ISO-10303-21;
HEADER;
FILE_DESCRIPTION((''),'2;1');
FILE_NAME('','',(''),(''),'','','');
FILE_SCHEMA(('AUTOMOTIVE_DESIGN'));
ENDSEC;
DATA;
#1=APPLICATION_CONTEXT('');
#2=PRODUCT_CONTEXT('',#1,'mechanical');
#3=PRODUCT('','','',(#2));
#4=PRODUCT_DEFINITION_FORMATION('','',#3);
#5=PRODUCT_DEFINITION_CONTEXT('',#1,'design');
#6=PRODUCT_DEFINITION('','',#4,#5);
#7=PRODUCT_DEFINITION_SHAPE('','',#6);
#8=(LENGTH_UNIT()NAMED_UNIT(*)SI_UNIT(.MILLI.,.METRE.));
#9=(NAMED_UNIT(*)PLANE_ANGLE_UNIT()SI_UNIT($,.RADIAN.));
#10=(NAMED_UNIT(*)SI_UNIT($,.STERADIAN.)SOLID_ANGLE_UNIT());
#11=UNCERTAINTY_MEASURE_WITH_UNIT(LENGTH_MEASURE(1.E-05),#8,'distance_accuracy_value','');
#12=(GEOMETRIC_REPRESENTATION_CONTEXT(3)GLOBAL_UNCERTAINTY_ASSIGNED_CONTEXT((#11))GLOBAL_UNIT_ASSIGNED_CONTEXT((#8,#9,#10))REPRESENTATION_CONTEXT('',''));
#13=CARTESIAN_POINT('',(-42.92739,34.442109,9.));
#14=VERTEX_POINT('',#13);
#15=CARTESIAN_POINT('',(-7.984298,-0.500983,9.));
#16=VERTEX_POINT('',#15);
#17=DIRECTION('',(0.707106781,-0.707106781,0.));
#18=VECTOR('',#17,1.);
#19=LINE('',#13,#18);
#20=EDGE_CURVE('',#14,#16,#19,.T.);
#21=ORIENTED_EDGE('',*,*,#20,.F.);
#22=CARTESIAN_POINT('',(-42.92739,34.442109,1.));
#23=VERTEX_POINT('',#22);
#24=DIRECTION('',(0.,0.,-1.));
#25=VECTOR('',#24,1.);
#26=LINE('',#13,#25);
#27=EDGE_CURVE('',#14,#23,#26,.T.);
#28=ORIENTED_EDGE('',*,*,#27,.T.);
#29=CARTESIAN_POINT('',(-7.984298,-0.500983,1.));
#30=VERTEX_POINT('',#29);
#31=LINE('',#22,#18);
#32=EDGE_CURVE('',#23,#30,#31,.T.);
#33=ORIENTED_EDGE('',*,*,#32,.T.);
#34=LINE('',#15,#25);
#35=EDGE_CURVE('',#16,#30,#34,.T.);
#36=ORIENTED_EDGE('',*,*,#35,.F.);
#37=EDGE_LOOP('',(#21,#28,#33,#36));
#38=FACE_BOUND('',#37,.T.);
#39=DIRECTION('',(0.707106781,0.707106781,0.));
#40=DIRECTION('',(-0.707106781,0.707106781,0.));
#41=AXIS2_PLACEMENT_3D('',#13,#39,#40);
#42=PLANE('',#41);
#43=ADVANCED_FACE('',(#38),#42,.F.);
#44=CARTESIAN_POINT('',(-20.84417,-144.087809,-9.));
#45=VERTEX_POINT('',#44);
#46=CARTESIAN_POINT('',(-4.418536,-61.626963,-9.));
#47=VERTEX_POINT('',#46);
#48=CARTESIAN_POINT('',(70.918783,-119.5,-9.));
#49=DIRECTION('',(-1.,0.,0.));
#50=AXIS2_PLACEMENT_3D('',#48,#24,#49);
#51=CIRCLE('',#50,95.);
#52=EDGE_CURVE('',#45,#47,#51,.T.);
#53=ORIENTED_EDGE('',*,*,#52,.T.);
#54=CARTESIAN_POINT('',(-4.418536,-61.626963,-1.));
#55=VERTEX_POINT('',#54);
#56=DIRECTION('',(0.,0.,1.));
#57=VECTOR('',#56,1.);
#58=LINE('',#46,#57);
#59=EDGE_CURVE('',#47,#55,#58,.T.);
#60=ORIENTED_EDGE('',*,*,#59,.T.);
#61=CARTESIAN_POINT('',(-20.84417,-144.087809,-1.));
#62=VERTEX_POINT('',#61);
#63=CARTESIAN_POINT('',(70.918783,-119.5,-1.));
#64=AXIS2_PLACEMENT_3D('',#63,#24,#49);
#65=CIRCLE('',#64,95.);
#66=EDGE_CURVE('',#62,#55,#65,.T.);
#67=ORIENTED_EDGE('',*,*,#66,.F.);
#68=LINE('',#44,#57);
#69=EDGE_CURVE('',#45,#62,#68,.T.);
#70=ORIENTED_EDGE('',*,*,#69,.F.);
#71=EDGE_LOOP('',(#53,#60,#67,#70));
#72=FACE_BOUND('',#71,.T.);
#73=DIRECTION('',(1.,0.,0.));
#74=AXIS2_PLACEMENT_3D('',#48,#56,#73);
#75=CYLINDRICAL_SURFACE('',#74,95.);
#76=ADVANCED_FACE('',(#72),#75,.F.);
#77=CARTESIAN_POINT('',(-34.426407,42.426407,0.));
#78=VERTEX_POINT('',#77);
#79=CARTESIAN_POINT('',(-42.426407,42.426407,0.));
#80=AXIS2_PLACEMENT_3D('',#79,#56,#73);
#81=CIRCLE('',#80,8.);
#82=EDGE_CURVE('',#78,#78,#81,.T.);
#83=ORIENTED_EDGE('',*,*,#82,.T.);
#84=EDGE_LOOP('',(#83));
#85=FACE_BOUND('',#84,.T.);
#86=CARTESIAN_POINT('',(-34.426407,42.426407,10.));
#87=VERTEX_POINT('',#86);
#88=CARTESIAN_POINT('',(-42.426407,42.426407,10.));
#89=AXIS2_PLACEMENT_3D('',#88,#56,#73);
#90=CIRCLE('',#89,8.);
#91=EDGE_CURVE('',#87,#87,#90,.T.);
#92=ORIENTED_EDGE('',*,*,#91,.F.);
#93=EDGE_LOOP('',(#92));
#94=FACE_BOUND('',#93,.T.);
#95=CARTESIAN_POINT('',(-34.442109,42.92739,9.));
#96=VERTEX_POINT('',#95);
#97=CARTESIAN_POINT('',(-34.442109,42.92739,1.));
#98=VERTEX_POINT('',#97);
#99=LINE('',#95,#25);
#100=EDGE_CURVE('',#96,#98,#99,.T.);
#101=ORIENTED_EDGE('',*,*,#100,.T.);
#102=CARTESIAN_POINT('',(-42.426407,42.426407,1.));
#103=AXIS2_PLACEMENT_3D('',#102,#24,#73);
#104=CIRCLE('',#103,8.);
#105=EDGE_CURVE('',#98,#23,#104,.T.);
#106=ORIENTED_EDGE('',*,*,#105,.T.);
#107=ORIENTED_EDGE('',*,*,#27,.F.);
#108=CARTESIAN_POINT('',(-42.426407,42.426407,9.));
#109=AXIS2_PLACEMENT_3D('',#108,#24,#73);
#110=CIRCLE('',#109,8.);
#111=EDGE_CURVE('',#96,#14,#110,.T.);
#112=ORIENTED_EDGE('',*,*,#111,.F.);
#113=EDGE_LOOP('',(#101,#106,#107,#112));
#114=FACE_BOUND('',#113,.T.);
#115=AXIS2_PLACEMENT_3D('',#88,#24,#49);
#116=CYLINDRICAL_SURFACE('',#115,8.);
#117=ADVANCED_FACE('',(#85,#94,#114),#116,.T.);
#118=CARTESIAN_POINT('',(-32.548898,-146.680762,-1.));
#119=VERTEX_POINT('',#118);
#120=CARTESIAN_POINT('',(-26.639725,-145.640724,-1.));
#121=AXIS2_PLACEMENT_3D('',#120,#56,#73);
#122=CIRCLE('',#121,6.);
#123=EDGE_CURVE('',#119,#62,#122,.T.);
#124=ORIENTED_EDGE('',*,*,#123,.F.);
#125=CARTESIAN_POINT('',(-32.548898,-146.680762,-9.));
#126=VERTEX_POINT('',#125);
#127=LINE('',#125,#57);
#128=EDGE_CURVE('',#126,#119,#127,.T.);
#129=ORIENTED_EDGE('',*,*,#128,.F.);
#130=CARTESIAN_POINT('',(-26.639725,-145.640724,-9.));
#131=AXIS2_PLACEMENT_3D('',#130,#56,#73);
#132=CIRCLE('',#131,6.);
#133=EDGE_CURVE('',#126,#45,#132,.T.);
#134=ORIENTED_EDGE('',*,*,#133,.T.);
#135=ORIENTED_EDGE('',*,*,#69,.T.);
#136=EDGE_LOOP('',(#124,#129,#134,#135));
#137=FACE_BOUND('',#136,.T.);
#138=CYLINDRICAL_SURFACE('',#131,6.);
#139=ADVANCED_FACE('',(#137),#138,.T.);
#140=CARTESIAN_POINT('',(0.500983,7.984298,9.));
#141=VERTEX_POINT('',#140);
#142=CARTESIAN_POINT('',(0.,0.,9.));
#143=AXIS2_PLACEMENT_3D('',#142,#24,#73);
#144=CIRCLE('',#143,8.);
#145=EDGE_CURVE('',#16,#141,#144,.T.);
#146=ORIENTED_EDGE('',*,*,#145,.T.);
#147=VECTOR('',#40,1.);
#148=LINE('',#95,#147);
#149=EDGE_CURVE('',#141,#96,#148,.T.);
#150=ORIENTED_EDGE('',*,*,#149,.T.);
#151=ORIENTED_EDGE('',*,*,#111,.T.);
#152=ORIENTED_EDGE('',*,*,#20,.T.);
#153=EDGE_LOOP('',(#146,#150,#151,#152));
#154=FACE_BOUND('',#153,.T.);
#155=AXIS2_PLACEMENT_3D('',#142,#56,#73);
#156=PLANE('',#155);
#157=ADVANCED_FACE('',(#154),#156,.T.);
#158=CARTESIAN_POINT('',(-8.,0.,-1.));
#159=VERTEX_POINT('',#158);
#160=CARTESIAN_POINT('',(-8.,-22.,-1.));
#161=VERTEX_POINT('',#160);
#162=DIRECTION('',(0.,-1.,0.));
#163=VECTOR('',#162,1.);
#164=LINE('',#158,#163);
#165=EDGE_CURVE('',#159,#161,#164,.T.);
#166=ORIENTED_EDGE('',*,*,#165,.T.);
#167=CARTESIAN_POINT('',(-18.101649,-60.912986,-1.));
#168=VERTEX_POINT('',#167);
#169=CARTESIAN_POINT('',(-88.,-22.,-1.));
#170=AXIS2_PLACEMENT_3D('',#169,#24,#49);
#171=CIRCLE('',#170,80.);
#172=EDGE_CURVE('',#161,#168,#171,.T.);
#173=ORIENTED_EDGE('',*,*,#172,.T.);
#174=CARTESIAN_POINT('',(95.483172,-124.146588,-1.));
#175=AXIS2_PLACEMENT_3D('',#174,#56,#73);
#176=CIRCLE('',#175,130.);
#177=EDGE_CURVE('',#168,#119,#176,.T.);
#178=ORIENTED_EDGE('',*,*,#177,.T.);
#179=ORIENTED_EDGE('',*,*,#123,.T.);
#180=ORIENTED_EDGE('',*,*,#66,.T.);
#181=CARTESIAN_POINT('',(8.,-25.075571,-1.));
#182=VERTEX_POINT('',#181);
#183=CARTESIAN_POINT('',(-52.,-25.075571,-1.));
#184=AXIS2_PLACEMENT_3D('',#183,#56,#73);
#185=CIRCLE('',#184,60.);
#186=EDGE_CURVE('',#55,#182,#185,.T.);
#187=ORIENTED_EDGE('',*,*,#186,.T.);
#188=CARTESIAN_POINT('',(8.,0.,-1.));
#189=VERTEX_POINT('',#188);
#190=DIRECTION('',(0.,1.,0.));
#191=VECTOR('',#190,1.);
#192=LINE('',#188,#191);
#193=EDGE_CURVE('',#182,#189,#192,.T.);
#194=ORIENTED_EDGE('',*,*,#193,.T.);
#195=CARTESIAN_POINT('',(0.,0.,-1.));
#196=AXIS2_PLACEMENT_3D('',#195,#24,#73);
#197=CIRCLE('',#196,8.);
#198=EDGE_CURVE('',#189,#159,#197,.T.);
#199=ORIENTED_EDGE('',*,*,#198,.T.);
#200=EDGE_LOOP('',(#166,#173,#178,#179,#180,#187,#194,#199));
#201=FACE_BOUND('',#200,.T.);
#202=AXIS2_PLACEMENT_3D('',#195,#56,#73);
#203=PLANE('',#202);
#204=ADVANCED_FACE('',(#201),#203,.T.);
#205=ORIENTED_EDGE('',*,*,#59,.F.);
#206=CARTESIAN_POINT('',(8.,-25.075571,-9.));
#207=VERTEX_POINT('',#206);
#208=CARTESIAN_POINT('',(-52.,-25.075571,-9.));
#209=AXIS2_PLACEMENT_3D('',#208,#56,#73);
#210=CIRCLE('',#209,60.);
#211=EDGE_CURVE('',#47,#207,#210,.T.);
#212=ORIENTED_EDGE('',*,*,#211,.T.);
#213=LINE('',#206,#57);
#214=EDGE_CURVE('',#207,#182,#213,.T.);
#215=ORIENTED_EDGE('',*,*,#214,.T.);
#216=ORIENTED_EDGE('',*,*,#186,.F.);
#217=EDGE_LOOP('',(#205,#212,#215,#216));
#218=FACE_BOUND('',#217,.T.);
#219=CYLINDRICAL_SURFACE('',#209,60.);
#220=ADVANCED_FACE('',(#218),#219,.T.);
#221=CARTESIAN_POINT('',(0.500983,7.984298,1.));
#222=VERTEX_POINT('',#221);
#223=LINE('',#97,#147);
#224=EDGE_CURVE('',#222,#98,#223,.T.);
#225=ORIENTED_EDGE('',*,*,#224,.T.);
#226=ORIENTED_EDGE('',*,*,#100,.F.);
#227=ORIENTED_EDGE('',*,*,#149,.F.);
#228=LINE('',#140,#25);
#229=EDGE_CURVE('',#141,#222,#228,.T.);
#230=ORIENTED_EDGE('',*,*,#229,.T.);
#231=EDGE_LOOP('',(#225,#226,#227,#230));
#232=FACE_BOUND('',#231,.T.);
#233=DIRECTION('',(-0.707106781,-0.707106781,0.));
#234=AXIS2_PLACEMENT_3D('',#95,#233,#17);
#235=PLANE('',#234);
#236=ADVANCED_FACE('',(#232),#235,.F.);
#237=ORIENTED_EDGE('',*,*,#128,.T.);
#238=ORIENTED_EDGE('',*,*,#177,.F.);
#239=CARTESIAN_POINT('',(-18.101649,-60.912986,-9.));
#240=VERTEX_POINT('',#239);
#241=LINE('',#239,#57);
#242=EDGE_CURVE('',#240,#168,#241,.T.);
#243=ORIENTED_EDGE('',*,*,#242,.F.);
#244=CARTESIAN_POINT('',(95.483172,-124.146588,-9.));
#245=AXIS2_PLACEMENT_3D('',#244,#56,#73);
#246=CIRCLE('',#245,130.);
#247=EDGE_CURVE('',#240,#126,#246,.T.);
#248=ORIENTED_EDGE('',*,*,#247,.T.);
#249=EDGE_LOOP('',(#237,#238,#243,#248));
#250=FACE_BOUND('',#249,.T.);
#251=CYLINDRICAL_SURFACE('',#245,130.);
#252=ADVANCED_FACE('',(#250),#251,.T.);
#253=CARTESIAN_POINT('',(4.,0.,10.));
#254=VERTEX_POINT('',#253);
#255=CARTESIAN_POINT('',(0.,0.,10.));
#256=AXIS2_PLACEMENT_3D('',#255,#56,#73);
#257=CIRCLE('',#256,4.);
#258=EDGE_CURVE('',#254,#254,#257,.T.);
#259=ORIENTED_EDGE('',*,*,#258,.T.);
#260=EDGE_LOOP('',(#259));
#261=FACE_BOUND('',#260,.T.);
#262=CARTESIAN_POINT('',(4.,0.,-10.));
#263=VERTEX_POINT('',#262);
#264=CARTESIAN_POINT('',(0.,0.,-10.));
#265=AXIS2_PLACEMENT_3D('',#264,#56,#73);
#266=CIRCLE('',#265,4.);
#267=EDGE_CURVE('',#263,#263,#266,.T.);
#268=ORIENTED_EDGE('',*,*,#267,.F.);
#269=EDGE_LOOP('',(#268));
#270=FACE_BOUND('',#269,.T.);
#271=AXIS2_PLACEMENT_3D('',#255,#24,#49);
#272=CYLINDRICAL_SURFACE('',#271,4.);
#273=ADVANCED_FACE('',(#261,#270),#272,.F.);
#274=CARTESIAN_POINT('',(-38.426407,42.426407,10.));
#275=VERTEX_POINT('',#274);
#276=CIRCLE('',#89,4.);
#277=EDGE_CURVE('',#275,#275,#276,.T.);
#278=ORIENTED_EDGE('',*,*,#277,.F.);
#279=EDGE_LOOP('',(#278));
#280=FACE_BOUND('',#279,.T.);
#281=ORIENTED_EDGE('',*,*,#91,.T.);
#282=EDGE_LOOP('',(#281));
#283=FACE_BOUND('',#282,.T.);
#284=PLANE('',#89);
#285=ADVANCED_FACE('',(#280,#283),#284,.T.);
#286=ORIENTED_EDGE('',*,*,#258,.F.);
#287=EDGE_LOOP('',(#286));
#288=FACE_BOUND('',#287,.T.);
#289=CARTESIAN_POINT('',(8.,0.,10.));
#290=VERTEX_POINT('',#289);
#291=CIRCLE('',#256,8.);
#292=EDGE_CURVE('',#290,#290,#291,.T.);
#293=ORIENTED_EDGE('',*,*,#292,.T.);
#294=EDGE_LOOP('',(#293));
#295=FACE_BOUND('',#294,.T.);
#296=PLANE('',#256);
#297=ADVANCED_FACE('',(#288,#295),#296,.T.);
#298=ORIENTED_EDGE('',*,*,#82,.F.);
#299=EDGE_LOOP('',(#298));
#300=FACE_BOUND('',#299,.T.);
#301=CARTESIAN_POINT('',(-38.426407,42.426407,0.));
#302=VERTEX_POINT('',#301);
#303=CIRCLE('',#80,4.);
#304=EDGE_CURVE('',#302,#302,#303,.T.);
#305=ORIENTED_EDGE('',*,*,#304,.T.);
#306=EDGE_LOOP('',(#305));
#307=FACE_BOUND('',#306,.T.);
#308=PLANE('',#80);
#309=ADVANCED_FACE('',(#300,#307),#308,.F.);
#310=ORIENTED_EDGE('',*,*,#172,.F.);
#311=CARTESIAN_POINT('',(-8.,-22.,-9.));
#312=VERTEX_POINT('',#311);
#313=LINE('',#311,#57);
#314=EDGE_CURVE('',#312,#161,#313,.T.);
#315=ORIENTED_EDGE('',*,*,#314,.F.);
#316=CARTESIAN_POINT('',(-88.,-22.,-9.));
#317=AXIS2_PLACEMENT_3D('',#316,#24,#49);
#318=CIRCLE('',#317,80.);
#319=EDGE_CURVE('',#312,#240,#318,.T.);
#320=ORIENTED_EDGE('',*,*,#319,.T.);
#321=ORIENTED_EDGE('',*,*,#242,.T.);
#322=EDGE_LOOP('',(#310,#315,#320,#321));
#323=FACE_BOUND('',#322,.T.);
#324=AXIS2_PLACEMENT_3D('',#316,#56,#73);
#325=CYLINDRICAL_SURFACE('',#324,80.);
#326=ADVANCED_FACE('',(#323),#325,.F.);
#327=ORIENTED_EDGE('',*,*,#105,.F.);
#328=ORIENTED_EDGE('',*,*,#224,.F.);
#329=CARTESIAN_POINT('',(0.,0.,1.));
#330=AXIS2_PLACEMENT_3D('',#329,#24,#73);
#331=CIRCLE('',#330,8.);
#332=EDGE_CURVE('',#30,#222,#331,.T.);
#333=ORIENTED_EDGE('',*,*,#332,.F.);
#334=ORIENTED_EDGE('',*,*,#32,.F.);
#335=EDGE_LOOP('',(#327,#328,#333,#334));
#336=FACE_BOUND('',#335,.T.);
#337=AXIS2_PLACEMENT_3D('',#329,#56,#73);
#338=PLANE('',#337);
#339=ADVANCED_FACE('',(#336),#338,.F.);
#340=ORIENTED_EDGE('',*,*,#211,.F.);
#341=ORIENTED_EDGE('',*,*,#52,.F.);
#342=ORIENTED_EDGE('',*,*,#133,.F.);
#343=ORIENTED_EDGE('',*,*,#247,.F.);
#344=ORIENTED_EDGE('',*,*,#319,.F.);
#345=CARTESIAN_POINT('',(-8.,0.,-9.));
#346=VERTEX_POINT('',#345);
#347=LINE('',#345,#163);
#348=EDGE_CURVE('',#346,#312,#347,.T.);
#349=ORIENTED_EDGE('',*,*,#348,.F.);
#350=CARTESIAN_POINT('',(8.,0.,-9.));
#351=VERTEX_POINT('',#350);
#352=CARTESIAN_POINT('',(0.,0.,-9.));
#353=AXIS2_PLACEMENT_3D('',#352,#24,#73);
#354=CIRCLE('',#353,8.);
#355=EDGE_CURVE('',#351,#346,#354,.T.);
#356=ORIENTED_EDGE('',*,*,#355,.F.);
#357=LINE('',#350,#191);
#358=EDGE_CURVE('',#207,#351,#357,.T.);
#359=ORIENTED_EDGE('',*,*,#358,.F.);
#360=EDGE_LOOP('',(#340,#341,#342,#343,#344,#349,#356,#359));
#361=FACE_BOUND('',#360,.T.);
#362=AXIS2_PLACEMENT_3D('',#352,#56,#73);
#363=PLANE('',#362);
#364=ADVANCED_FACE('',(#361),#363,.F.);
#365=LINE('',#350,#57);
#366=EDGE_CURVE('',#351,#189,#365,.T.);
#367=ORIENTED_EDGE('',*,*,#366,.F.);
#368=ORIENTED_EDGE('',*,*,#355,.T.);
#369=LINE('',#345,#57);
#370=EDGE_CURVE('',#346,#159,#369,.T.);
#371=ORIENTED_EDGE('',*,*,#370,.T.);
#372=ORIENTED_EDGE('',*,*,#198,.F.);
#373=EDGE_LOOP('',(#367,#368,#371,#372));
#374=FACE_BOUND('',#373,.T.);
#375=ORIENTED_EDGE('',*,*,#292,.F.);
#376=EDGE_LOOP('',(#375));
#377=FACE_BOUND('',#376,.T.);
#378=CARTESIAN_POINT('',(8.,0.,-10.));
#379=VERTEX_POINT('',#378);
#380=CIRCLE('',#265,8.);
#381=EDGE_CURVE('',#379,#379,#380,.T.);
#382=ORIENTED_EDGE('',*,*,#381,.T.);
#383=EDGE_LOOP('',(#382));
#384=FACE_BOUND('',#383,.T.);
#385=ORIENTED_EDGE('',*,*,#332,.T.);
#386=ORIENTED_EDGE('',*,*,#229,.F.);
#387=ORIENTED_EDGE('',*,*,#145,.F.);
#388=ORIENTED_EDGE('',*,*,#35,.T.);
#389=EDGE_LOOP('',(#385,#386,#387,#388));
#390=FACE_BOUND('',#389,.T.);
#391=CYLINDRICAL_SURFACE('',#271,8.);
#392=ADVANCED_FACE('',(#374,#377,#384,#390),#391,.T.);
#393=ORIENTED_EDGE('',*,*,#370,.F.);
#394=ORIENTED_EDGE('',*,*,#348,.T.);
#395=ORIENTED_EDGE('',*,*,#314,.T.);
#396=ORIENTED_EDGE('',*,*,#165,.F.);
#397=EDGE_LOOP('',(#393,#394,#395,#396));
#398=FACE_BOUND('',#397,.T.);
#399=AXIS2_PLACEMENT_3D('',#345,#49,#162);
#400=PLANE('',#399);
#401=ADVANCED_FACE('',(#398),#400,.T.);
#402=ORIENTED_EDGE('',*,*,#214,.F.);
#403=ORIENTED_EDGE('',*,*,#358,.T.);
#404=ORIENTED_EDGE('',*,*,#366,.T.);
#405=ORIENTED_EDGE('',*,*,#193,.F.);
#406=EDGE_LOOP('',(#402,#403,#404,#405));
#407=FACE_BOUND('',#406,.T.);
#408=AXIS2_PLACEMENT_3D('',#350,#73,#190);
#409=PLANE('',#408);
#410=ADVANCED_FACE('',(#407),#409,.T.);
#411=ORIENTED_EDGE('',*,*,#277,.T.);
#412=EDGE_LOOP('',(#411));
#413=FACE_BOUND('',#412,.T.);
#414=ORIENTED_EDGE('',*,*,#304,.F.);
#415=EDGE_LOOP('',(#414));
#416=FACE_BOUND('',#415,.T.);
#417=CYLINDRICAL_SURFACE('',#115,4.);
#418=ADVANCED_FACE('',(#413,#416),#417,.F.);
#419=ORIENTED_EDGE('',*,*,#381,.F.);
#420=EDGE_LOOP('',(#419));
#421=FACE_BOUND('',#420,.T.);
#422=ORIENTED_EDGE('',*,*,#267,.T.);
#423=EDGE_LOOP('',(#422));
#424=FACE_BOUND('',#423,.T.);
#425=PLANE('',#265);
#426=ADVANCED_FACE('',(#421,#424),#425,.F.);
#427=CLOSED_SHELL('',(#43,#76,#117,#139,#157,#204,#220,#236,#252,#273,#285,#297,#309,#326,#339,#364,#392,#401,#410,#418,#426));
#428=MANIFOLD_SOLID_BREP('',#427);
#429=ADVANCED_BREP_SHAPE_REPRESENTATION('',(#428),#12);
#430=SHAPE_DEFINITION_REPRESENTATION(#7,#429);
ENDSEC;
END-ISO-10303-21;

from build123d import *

# Parameters (mm, degrees)
SKETCH_1_R        = 8
SKETCH_1_R_2      = 4
EXTRUDE_1_DEPTH   = 10
EXTRUDE_1_2_DEPTH = 10
EXTRUDE_START     = 1
EXTRUDE_2_DEPTH   = 8
EXTRUDE_START_2   = -9
EXTRUDE_3_DEPTH   = 8
EXTRUDE_START_3   = -10
SKETCH_4_R        = 8
SKETCH_4_R_2      = 4
EXTRUDE_4_DEPTH   = 10


with BuildPart() as part:
    # 草图1 → 凸台-拉伸1 (new body)
    with BuildSketch(Plane.XY):
        Circle(SKETCH_1_R)
        Circle(SKETCH_1_R_2, mode=Mode.SUBTRACT)
    extrude(amount=EXTRUDE_1_DEPTH)



with BuildPart() as body_2:
    # 草图1 → Extrude 1 2 (new body)
    with BuildSketch(Plane.XY):
        with Locations((-42.426406871, 42.426406871)):
            Circle(SKETCH_1_R)
        with Locations((-42.426406871, 42.426406871)):
            Circle(SKETCH_1_R_2, mode=Mode.SUBTRACT)
    extrude(amount=EXTRUDE_1_2_DEPTH)


with BuildPart() as part_1:
    add(part.part)

    add(body_2.part)  # 凸台-拉伸2 merges body 2
    # 草图2 → 凸台-拉伸2 (add)
    with BuildSketch(Plane.XY.offset(EXTRUDE_START)):
        with BuildLine():
            Line((-42.927390172, 34.442108797), (-7.984298074, -0.5009833))
            ThreePointArc((-7.984298074, -0.5009833), (-5.656854249, 5.656854249), (0.5009833, 7.984298074))
            Line((0.5009833, 7.984298074), (-34.442108797, 42.927390172))
            ThreePointArc((-34.442108797, 42.927390172), (-36.769552622, 36.769552622), (-42.927390172, 34.442108797))
        make_face()
    extrude(amount=EXTRUDE_2_DEPTH)



with BuildPart() as body_2_2:
    # 草图3 → 凸台-拉伸3 (new body)
    with BuildSketch(Plane.XY.offset(EXTRUDE_START_2)):
        with BuildLine():
            Line((-8, 0), (-8, -22))
            ThreePointArc((-8, -22), (-10.566583087, -42.101391623), (-18.101648629, -60.912985951))
            ThreePointArc((-18.101648629, -60.912985951), (-32.710853992, -102.552801732), (-32.548897818, -146.680762367))
            ThreePointArc((-32.548897818, -146.680762367), (-25.342004787, -151.498702844), (-20.844170391, -144.087809285))
            ThreePointArc((-20.844170391, -144.087809285), (-22.250809754, -100.941256341), (-4.418535572, -61.626962976))
            ThreePointArc((-4.418535572, -61.626962976), (4.810597012, -44.37728268), (8, -25.075571172))
            Line((8, -25.075571172), (8, 0))
            ThreePointArc((8, 0), (0, -8), (-8, 0))
        make_face()
    extrude(amount=EXTRUDE_3_DEPTH)


with BuildPart() as part_2:
    add(part_1.part)

    add(body_2_2.part)  # 凸台-拉伸4 merges body 2 2
    # 草图4 → 凸台-拉伸4 (add)
    with BuildSketch(Plane.XY.offset(EXTRUDE_START_3)):
        Circle(SKETCH_4_R)
        Circle(SKETCH_4_R_2, mode=Mode.SUBTRACT)
    extrude(amount=EXTRUDE_4_DEPTH)


solid = part_2.part
